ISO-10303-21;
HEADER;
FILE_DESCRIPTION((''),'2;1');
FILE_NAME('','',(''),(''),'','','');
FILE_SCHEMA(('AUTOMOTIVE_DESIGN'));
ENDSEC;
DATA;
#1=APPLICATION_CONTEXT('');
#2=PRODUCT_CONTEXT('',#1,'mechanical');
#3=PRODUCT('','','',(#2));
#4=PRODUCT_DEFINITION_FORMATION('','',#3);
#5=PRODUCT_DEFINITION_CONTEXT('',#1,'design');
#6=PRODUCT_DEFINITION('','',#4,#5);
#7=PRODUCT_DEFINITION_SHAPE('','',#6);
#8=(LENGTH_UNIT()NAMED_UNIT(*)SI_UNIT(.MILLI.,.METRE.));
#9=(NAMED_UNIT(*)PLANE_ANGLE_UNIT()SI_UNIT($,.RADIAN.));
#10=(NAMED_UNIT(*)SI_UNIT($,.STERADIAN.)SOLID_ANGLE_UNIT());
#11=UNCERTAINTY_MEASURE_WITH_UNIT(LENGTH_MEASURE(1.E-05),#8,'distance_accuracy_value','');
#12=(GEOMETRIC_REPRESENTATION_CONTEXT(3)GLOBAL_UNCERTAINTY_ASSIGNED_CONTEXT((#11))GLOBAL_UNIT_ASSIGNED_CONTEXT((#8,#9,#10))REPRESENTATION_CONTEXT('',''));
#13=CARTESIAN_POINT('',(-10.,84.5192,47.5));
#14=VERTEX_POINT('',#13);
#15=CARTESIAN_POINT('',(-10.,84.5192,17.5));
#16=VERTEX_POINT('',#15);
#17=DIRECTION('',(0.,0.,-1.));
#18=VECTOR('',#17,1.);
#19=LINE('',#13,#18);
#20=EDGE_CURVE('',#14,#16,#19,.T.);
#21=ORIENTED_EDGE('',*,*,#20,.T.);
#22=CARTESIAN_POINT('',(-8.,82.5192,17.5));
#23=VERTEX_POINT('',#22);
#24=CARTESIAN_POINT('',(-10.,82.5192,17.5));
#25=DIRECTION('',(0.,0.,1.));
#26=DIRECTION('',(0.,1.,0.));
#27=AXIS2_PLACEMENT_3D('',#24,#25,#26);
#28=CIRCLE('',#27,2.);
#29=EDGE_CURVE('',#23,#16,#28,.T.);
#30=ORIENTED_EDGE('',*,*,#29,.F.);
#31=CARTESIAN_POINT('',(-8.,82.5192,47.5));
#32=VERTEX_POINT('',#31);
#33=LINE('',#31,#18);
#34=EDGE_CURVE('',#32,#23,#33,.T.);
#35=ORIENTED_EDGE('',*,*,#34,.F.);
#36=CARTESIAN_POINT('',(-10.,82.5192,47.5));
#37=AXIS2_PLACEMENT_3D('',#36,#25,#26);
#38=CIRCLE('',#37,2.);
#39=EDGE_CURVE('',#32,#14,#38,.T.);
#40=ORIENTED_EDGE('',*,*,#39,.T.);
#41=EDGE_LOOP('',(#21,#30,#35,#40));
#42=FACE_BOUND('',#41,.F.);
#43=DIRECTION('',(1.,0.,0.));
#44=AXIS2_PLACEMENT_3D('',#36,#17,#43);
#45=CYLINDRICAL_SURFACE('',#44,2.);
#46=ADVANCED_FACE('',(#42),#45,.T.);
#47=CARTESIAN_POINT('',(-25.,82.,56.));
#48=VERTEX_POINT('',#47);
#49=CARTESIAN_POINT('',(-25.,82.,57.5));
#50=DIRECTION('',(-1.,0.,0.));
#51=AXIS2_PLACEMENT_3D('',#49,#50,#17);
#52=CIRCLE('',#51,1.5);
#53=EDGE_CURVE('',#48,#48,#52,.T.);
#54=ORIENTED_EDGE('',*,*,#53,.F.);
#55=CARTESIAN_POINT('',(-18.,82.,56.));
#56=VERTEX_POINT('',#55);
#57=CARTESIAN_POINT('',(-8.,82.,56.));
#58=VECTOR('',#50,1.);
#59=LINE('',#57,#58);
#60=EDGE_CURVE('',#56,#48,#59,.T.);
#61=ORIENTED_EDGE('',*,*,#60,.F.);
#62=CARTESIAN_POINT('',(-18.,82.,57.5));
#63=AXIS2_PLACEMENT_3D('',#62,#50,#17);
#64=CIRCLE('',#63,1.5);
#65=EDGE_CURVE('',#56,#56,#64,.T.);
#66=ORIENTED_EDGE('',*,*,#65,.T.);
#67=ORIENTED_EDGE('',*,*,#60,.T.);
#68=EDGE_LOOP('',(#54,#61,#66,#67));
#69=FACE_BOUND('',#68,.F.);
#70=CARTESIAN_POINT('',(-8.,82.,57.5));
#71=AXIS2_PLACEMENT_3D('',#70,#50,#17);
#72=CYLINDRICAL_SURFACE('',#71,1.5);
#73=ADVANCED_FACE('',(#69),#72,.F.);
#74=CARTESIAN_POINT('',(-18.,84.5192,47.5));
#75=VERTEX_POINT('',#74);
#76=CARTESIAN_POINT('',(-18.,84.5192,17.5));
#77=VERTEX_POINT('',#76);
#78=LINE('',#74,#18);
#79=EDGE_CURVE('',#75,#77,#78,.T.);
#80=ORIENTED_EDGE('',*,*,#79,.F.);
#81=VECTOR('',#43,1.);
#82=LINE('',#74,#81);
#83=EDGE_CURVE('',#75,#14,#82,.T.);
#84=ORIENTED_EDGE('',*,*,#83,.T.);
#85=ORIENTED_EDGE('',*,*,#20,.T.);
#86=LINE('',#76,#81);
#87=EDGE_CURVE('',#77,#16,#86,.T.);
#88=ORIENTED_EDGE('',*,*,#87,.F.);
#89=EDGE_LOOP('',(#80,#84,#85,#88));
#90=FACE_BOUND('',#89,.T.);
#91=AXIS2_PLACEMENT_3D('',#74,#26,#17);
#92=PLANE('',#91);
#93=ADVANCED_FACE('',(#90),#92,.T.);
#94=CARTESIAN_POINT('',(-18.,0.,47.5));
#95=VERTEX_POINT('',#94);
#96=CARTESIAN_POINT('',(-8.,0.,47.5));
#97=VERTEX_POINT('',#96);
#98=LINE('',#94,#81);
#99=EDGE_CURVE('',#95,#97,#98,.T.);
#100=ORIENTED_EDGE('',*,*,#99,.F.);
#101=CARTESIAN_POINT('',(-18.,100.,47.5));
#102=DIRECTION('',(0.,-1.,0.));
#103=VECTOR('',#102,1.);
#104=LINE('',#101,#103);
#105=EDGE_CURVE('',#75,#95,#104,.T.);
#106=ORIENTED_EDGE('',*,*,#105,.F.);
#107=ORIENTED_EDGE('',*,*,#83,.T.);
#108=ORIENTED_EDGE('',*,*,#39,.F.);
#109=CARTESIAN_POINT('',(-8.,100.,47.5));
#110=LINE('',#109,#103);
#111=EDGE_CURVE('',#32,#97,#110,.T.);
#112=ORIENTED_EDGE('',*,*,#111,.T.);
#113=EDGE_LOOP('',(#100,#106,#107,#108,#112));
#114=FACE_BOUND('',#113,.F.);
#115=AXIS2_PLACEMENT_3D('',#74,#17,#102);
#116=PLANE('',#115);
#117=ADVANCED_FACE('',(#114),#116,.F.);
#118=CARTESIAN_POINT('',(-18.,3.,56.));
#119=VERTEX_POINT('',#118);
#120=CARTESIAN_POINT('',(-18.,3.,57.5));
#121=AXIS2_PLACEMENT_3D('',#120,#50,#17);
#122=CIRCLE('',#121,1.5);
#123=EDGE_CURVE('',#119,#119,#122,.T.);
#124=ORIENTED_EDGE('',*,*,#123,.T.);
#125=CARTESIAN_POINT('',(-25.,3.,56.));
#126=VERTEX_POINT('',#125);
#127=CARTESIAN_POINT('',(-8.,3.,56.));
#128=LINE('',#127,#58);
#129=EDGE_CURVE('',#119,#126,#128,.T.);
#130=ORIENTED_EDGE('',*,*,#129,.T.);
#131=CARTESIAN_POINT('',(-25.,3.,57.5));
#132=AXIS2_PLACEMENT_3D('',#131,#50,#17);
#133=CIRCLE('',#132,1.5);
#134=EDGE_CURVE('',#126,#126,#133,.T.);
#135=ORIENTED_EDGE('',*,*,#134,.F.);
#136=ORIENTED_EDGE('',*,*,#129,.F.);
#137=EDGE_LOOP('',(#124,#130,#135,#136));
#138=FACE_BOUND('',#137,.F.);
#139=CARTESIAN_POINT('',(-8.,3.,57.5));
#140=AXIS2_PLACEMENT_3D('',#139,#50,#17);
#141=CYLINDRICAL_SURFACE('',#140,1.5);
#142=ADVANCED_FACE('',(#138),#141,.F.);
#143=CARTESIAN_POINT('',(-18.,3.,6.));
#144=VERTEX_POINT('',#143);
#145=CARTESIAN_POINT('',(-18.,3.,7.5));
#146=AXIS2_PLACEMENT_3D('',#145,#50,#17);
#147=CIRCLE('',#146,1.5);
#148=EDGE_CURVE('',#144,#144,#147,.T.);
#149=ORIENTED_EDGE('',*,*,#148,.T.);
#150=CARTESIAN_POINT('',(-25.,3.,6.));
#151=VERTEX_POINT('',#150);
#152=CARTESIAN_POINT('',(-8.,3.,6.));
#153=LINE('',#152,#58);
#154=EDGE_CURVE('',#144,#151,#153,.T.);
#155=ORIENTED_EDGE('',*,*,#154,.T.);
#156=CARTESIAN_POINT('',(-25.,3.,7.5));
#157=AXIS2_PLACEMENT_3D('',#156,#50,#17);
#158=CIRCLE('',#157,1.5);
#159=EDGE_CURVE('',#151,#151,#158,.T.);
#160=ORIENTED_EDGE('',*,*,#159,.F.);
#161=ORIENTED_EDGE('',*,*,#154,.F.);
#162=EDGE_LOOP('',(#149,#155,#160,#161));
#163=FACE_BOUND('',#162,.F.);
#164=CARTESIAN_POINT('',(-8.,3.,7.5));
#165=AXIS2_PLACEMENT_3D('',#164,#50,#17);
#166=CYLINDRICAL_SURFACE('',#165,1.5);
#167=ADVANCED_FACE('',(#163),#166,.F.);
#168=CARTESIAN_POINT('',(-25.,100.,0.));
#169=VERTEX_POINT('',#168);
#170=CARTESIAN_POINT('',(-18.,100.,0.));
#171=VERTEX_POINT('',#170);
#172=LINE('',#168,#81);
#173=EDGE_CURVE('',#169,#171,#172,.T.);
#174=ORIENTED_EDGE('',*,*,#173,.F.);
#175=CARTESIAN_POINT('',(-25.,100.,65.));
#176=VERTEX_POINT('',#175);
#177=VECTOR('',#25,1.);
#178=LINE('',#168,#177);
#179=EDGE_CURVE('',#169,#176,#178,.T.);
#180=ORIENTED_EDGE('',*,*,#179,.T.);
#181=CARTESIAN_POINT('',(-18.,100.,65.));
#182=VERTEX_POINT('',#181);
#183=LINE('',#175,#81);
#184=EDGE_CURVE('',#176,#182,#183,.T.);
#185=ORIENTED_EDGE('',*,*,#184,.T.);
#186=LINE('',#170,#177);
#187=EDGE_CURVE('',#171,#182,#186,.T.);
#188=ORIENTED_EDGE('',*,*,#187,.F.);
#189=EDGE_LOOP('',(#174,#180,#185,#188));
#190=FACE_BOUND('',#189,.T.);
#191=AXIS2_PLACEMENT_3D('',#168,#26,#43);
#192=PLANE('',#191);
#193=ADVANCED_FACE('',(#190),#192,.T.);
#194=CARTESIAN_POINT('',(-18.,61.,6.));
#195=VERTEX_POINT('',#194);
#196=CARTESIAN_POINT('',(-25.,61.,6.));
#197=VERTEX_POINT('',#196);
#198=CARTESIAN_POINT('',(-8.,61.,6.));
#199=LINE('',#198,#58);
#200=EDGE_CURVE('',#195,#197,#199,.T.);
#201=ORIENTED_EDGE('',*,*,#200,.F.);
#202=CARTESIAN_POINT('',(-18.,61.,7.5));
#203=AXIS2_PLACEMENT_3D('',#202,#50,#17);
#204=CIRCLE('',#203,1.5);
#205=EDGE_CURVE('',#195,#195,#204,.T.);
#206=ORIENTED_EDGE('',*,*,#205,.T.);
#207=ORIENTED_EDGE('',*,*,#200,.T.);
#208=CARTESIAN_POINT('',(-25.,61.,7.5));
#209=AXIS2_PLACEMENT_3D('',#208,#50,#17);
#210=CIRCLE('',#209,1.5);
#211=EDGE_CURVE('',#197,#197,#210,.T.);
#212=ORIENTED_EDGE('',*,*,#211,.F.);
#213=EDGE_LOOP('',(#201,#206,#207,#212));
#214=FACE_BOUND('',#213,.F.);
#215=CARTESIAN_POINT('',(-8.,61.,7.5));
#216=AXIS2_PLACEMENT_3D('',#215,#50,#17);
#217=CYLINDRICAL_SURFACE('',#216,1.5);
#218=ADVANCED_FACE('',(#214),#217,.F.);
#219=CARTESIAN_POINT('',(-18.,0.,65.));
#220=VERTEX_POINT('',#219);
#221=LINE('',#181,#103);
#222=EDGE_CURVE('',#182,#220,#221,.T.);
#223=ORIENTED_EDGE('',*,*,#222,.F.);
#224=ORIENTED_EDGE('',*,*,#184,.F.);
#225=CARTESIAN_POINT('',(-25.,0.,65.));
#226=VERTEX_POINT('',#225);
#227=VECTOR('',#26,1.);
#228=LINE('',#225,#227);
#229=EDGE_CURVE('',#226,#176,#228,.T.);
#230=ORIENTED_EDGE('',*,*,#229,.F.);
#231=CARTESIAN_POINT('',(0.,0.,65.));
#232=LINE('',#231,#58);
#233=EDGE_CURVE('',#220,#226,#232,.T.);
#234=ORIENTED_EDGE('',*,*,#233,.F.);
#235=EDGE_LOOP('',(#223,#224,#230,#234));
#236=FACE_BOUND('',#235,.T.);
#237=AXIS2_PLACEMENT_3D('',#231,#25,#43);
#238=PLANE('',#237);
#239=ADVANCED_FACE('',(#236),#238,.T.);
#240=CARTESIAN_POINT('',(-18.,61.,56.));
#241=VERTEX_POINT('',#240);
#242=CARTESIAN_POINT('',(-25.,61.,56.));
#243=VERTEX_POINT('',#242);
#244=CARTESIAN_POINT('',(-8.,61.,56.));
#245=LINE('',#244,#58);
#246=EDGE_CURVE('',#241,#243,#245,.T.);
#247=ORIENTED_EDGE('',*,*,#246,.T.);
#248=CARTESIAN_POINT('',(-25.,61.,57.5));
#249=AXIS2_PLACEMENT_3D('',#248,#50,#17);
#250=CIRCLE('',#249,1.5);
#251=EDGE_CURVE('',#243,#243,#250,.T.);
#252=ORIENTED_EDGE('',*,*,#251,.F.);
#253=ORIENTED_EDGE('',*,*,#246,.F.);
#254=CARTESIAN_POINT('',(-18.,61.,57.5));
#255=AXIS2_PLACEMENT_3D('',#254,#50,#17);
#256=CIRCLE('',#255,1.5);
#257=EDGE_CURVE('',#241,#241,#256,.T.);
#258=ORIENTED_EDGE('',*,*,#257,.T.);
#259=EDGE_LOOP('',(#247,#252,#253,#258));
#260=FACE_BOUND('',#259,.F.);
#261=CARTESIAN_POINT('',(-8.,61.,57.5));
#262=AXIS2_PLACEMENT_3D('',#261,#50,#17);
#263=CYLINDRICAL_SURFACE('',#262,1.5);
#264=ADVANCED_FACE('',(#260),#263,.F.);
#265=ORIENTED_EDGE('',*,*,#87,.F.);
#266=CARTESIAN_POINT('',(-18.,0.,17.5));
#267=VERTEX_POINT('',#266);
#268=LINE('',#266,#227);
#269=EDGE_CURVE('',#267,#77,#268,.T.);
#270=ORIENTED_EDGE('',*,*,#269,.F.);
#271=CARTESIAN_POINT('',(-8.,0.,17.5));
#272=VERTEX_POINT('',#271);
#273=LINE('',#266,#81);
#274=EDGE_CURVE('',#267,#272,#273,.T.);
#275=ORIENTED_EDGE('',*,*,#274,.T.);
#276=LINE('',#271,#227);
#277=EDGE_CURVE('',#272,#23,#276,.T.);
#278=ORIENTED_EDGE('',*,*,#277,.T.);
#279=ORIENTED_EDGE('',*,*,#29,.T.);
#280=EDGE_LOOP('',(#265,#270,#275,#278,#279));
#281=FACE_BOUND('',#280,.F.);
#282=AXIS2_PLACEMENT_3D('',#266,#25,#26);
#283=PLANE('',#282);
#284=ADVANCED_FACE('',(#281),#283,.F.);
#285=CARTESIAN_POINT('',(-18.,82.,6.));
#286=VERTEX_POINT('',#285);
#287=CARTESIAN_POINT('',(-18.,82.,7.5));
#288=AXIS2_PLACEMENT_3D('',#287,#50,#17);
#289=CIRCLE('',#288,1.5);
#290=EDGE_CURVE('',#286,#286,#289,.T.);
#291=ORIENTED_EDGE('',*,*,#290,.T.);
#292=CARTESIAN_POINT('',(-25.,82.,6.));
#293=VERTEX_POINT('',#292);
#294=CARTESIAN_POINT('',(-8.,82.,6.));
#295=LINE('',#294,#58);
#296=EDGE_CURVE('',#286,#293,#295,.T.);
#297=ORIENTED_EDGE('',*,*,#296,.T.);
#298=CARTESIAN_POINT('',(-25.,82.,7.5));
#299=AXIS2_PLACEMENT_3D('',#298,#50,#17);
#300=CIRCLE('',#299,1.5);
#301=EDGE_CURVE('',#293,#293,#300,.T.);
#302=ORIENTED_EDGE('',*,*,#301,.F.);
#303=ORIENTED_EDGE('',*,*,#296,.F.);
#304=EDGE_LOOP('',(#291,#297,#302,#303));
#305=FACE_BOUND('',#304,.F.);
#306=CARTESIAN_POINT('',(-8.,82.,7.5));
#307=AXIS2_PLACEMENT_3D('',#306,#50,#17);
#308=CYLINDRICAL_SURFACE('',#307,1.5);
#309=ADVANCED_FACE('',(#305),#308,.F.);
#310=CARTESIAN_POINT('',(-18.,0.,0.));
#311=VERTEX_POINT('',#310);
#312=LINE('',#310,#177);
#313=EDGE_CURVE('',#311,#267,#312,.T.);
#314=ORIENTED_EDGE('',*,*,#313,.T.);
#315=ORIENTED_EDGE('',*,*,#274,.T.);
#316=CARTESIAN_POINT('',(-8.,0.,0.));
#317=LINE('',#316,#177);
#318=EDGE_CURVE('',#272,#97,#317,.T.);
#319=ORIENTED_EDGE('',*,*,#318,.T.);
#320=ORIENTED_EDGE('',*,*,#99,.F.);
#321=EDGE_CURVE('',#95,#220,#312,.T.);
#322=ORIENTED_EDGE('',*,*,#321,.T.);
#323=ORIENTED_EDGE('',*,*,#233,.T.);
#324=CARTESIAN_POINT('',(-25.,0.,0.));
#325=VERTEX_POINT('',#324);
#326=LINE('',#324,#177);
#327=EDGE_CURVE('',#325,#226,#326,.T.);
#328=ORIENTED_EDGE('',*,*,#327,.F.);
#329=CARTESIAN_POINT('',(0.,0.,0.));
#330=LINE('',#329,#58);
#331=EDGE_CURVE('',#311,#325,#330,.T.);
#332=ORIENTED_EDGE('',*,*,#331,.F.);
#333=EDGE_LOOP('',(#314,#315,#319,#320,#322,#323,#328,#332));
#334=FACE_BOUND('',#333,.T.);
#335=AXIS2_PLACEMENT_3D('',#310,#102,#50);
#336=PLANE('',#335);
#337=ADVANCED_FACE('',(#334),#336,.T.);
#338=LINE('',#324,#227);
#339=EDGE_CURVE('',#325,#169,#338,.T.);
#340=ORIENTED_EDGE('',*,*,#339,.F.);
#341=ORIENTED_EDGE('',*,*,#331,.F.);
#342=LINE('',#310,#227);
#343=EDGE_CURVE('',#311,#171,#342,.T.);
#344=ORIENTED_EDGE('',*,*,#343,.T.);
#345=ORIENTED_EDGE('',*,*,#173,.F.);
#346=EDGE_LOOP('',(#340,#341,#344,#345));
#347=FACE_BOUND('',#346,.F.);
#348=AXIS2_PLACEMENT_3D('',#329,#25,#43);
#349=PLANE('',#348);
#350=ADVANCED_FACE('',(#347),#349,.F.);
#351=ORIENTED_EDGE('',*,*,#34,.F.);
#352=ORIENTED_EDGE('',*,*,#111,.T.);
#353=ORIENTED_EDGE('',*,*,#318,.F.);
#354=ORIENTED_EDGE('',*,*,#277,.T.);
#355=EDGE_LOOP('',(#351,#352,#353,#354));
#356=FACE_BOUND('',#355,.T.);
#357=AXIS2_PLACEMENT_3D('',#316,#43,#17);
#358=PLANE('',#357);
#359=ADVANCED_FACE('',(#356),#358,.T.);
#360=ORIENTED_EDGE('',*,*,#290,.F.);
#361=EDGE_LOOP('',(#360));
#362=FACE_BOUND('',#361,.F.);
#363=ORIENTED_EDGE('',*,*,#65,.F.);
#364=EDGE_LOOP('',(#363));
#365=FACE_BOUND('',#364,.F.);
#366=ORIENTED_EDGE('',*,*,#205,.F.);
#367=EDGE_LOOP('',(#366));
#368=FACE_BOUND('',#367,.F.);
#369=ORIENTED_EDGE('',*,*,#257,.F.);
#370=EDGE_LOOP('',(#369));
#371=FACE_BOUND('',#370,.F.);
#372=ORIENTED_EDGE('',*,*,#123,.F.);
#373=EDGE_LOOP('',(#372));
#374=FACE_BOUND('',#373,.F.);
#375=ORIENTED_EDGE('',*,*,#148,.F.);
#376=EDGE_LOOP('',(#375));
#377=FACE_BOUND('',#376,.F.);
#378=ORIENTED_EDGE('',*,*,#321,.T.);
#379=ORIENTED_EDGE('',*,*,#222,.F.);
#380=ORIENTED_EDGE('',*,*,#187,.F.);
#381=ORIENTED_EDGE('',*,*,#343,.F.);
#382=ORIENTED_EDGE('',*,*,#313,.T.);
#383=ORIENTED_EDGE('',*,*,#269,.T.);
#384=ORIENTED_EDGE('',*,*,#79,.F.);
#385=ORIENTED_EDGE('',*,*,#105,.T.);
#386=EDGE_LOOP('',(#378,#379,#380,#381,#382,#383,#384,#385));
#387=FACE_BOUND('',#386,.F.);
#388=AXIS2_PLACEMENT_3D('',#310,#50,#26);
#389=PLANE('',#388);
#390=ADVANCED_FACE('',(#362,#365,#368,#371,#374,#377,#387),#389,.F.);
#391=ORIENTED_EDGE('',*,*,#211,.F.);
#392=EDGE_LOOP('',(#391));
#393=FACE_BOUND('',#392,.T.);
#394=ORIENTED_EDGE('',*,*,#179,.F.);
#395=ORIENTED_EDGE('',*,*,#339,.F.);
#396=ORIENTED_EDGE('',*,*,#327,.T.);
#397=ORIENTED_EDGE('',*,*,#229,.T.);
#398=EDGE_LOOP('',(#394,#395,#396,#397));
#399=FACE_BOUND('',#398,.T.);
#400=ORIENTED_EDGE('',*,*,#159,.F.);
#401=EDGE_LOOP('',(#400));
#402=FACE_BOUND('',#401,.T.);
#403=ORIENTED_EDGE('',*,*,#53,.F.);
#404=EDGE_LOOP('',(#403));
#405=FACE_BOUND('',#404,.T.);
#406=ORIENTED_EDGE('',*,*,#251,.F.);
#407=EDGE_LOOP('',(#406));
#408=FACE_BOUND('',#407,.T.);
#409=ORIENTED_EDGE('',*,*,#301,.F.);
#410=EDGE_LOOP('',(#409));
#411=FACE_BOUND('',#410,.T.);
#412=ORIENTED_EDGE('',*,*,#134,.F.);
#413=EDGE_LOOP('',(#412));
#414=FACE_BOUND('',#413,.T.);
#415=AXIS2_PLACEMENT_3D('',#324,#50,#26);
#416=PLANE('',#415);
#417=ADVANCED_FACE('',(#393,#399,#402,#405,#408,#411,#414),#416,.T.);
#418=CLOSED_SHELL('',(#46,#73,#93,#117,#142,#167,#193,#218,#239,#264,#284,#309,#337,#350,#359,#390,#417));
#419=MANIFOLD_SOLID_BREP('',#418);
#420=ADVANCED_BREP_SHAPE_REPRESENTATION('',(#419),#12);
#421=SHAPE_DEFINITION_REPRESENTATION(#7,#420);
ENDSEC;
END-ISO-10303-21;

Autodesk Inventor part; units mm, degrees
ref_plane "YZ Plane" through (0, 0, 0) normal (1, 0, 0) x (0, 1, 0)
ref_plane "XZ Plane" through (0, 0, 0) normal (0, 1, 0) x (-1, 0, 0)
ref_plane "XY Plane" through (0, 0, 0) normal (0, 0, 1) x (1, 0, 0)
sketch "Sketch1" plane through (0, 0, 0) normal (0, 0, 1) x (1, 0, 0)
  line L0 (0, 0) -> (-25, 0)
  line L1 (-25, 0) -> (-25, 100)
  line L2 (-25, 100) -> (0, 100)
  line L3 (0, 100) -> (0, 0)
  line L4 (0, 0) -> (-18, 0)
  line L5 (-18, 0) -> (-18, 85)
  line L6 (0, 85) -> (0, 0)
  line L7 (0, 85) -> (0, 65)
  line L8 (-18, 85) -> (-18, 100)
  point P0 (-18, 0)
  point P1 (-18, 92.5)
  dimension "d0" = 25
  dimension "d1" = 100
  dimension "d6" = 20
  dimension "d78" = 7
extrude "Extrusion1" add sketch "Sketch1" along normal blind 65 contours L0 L1 L2 L8 L5
sketch "Sketch2" plane through (-18, 0, 0) normal (1, 0, 0) x (0, 0, -1)
  line L0 (0, 0) -> (-65, 0) projected
  line L1 (0, 100) -> (-65, 100) projected
  line L2 (-47.5, 0) -> (-17.5, 0)
  line L3 (-17.5, 0) -> (-17.5, 100)
  line L4 (-17.5, 100) -> (-47.5, 100)
  line L5 (-47.5, 100) -> (-47.5, 0)
  line L6 (-65, 0) -> (-65, 100) projected
  line L7 (0, 0) -> (0, 100) projected
  line L8 (-47.5, 84.5192) -> (-17.5, 84.5192)
  dimension "d8" = 30
  dimension "d9" = 17.5
  dimension "d10" = 17.5
extrude "Extrusion2" add sketch "Sketch2" along normal blind 10 contours L0 L5 L8 L3
sketch "Sketch6" plane through (-8, 0, 0) normal (1, 0, 0) x (0, 0, -1)
  line L0 (0, 0) -> (-65, 0) projected
  line L1 (-60.5, 0) -> (-4.5, 0)
  line L2 (-4.5, 0) -> (-4.5, 85)
  line L3 (-4.5, 85) -> (-60.5, 85)
  line L4 (-60.5, 85) -> (-60.5, 0)
  line L5 (0, 0) -> (0, 100) projected
  line L6 (-65, 0) -> (-65, 100) projected
  line L7 (-57.5, 0) -> (-7.5, 0)
  line L8 (-7.5, 0) -> (-7.5, 82)
  line L9 (-7.5, 82) -> (-57.5, 82)
  line L10 (-57.5, 82) -> (-57.5, 0)
  line L11 (-57.5, 61) -> (-7.5, 61)
  line L12 (-57.5, 3) -> (-7.5, 3)
  point P0 (-32.5, 3)
  dimension "d27" = 56
  dimension "d28" = 85
  dimension "d29" = 4.5
  dimension "d30" = 4.5
  dimension "d31" = 50
  dimension "d32" = 3
  dimension "d33" = 3
  dimension "d34" = 61
  dimension "d49" = 3
hole "Hole3" at (-8, 61, 7.5) direction (-1, 0, 0) diameter 3 depth 40
hole "Hole4" at (-8, 82, 7.5) direction (-1, 0, 0) diameter 3 depth 40
hole "Hole5" at (-8, 3, 7.5) direction (-1, 0, 0) diameter 3 depth 40
hole "Hole6" at (-8, 3, 57.5) direction (-1, 0, 0) diameter 3 depth 40
hole "Hole7" at (-8, 61, 57.5) direction (-1, 0, 0) diameter 3 depth 40
hole "Hole8" at (-8, 82, 57.5) direction (-1, 0, 0) diameter 3 depth 40
fillet "Fillet1" radius 2 1 edges at (-8, 84.5192, 32.5)
properties part number "pi_holder"
